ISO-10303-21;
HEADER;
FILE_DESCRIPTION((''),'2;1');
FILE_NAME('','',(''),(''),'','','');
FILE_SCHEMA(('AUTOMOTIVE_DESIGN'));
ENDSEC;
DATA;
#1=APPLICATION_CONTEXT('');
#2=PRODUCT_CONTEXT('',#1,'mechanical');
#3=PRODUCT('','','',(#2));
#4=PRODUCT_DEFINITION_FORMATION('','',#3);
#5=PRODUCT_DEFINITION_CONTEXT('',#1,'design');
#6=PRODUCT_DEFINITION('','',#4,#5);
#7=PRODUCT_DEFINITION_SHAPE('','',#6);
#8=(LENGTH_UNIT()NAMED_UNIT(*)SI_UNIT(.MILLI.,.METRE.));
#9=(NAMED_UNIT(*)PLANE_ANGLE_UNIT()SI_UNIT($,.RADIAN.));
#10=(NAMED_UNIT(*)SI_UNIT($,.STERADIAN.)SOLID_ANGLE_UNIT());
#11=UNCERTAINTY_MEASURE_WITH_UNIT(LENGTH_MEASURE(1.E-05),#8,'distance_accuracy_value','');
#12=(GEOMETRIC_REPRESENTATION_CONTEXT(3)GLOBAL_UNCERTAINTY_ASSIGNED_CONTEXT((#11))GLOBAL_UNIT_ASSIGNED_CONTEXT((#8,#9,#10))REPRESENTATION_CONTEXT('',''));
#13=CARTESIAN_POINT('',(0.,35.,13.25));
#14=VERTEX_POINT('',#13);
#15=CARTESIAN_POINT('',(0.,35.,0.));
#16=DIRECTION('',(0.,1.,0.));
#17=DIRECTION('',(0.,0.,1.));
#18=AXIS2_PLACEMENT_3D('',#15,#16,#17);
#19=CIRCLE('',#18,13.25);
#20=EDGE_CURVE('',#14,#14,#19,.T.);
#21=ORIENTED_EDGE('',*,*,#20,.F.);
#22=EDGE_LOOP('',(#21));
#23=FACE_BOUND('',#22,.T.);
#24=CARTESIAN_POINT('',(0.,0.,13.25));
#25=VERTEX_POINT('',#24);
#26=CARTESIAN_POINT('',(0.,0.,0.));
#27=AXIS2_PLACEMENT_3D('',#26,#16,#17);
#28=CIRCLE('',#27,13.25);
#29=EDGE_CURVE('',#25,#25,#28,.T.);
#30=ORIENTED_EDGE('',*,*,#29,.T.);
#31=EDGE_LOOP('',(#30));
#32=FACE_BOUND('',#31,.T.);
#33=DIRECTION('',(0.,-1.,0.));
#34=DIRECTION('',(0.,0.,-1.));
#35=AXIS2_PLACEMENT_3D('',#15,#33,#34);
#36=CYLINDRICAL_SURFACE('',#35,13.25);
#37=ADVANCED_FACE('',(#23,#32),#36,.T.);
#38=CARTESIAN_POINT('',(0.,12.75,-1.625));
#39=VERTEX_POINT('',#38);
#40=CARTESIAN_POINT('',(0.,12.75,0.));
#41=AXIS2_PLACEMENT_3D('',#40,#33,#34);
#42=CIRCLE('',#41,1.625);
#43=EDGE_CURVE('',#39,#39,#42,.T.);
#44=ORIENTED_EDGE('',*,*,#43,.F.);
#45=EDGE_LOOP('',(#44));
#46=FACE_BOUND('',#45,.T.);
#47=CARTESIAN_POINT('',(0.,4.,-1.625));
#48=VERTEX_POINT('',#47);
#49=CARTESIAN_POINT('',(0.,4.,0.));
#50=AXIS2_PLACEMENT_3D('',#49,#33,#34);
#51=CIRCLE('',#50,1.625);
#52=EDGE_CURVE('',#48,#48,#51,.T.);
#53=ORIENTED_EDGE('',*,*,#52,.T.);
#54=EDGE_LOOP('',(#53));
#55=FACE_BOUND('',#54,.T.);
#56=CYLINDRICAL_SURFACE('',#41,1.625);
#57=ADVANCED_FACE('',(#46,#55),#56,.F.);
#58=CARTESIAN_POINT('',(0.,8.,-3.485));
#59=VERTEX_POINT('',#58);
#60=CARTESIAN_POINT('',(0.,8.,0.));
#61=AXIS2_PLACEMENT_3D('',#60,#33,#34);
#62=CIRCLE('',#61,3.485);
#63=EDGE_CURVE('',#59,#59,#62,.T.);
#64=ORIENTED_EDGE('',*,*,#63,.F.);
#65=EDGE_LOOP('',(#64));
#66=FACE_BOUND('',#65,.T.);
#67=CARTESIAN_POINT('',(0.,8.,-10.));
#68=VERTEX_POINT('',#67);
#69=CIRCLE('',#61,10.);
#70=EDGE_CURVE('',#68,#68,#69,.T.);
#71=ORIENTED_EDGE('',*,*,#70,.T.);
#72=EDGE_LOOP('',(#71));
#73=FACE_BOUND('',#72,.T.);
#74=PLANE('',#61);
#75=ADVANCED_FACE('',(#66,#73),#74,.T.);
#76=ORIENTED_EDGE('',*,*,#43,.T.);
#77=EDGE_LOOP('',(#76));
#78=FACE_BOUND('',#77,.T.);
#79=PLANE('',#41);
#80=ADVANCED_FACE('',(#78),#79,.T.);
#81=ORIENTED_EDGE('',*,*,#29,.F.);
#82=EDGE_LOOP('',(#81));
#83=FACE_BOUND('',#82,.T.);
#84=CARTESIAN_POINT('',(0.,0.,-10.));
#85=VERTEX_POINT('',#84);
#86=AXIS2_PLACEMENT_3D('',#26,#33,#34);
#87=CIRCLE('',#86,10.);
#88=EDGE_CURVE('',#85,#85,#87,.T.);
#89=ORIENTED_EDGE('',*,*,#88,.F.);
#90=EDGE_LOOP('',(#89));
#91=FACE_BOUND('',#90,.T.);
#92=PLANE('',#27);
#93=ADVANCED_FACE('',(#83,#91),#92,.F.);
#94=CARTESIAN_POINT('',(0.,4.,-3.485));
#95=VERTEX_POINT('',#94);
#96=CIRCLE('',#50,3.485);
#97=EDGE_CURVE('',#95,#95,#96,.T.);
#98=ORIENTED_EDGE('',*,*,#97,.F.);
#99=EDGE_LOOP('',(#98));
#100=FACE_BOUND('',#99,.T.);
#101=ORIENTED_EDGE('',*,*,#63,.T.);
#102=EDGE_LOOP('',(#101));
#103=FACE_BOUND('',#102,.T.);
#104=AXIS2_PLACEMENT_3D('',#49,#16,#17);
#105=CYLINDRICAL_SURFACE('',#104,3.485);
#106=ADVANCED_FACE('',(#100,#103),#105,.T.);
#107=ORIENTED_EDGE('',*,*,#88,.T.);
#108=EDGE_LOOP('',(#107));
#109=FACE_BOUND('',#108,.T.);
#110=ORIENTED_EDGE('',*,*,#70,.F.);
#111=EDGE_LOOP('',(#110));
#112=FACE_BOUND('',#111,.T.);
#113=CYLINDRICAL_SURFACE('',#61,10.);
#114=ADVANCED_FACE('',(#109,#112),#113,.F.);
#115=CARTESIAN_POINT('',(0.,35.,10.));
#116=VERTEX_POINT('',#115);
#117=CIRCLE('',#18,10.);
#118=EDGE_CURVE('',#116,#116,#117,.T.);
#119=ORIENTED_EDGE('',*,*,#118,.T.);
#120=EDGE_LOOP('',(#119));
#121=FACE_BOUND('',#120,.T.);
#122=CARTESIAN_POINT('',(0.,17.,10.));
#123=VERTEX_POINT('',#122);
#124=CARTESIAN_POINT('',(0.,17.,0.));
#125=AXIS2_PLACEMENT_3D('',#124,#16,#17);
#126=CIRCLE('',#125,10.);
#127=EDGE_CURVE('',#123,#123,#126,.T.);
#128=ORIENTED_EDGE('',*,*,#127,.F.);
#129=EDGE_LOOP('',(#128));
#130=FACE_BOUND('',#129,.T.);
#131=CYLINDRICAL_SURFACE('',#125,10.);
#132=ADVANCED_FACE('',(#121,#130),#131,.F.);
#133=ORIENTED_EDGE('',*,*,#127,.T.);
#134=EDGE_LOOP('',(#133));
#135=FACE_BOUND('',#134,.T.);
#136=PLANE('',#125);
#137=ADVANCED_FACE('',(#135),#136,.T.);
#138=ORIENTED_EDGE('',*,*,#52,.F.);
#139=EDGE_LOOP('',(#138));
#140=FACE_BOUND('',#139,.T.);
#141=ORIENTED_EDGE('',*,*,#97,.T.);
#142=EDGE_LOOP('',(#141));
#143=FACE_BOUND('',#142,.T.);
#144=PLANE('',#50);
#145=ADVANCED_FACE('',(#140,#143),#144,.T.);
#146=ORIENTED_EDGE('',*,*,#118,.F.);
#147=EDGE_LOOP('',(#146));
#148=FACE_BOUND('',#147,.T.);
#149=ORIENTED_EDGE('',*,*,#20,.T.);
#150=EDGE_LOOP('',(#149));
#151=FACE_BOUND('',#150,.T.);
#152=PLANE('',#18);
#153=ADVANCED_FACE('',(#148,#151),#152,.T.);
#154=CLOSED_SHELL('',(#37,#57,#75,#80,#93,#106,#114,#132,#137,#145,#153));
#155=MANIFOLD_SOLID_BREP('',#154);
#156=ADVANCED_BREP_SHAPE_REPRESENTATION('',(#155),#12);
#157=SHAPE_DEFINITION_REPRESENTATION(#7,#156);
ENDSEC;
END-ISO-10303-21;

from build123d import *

# Parameters (mm, degrees)
SKETCH1_R           = 13.25
BOSS_EXTRUDE1_DEPTH = 35
SKETCH7_R           = 10
CUT_EXTRUDE4_DEPTH  = 8
SKETCH10_R          = 3.485
BOSS_EXTRUDE3_DEPTH = 4
SKETCH11_R          = 1.625
CUT_EXTRUDE5_DEPTH  = 8.75
SKETCH13_R          = 10
CUT_EXTRUDE6_DEPTH  = 18


with BuildPart() as part:
    # Sketch1 → Boss-Extrude1 (new body)
    with BuildSketch(Plane(origin=(0, 0, 0), x_dir=(1, 0, 0), z_dir=(0, 1, 0))):
        Circle(SKETCH1_R)
    extrude(amount=BOSS_EXTRUDE1_DEPTH)

    # Sketch7 → Cut-Extrude4 (cut)
    with BuildSketch(Plane.XZ):
        Circle(SKETCH7_R)
    extrude(amount=-CUT_EXTRUDE4_DEPTH, mode=Mode.SUBTRACT)

    # Sketch10 → Boss-Extrude3 (add)
    with BuildSketch(Plane.XZ.offset(-8)):
        Circle(SKETCH10_R)
    extrude(amount=BOSS_EXTRUDE3_DEPTH)

    # Sketch11 → Cut-Extrude5 (cut)
    with BuildSketch(Plane.XZ.offset(-4)):
        Circle(SKETCH11_R)
    extrude(amount=-CUT_EXTRUDE5_DEPTH, mode=Mode.SUBTRACT)

    # Sketch13 → Cut-Extrude6 (cut)
    with BuildSketch(Plane(origin=(0, 35, 0), x_dir=(1, 0, 0), z_dir=(0, 1, 0))):
        Circle(SKETCH13_R)
    extrude(amount=-CUT_EXTRUDE6_DEPTH, mode=Mode.SUBTRACT)


solid = part.part
